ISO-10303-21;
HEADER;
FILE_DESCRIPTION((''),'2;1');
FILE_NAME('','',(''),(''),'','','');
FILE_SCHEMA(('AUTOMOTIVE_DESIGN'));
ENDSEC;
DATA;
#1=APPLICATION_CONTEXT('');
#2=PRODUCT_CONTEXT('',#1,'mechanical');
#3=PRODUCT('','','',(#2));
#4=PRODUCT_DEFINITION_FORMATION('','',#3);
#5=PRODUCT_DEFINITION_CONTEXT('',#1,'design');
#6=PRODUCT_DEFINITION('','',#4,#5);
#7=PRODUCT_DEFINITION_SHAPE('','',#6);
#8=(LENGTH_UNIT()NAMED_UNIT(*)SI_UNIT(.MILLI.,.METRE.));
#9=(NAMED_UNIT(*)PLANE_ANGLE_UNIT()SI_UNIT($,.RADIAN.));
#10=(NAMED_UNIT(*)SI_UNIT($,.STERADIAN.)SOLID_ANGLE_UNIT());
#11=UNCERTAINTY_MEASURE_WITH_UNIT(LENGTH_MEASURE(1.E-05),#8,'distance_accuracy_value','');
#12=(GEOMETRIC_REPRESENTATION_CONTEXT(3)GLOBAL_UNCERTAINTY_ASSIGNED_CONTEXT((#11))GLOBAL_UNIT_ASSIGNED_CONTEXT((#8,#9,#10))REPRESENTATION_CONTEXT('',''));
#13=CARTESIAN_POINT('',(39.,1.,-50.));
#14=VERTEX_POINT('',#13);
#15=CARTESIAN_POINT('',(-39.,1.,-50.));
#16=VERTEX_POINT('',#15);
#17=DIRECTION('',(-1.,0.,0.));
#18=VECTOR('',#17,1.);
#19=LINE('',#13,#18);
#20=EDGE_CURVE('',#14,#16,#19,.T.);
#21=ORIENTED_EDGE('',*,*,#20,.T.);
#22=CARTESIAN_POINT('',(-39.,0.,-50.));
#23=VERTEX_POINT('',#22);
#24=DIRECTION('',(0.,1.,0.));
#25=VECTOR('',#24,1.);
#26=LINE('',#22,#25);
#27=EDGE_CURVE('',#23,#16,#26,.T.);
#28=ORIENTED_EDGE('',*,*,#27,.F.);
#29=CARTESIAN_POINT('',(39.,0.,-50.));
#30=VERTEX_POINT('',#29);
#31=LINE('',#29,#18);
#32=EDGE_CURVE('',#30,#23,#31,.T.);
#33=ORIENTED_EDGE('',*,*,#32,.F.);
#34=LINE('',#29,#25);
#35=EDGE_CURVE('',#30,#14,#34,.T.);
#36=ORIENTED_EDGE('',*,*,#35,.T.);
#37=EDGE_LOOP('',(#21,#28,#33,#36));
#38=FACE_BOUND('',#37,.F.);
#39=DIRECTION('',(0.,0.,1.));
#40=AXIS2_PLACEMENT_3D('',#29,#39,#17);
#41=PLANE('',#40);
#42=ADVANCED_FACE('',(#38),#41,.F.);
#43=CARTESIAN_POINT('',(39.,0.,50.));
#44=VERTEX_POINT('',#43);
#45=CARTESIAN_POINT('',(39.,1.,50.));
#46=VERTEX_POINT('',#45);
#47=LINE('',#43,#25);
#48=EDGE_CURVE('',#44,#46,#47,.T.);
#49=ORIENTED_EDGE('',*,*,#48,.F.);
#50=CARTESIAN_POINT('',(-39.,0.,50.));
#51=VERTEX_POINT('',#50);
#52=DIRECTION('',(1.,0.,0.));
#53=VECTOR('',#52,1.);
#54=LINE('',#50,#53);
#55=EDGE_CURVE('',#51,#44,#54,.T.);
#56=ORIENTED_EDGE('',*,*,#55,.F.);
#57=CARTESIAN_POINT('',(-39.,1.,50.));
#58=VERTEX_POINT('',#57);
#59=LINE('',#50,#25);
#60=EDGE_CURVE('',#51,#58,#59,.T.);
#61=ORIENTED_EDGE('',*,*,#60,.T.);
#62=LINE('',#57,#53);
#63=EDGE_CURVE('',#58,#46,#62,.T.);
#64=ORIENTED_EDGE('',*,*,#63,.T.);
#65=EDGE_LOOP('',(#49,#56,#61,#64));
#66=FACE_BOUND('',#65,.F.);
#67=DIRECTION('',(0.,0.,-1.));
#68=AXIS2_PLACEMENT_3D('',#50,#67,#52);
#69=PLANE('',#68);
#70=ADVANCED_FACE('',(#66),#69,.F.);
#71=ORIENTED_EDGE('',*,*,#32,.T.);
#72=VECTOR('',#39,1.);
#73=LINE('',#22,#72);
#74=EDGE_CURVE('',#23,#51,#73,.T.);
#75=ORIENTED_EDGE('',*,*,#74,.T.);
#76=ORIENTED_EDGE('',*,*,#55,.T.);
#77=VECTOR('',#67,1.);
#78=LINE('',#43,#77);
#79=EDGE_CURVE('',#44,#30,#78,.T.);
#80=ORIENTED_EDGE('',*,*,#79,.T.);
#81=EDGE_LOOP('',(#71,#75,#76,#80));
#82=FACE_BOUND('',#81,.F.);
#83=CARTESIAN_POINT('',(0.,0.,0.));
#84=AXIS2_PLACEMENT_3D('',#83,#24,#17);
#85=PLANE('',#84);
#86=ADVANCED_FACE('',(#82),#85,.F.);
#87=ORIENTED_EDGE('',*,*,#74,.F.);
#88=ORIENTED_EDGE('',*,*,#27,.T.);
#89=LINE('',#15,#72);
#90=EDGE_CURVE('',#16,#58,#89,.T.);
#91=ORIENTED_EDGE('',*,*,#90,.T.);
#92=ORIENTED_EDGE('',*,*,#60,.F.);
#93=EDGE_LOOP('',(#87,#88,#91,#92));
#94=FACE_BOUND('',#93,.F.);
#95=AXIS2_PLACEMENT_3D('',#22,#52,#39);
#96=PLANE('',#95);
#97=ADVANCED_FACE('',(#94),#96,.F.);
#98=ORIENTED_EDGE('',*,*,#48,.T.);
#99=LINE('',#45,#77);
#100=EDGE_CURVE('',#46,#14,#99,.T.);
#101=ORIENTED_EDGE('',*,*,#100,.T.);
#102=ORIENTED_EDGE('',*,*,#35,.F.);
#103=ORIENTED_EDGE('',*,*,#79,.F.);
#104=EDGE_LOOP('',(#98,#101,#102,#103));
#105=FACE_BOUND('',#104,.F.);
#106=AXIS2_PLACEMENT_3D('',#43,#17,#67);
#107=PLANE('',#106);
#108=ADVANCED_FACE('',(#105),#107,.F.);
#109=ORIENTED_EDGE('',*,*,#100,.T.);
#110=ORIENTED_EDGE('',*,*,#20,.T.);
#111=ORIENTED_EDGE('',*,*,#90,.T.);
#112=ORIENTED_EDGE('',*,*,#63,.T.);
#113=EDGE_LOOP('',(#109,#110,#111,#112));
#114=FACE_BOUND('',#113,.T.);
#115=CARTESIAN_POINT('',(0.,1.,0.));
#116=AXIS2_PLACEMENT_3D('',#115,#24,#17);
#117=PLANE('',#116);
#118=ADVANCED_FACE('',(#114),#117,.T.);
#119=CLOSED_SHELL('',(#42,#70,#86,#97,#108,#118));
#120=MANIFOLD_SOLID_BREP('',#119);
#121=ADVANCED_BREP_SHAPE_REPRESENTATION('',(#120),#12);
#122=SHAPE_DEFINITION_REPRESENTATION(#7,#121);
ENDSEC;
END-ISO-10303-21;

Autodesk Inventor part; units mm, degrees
ref_plane "YZ Plane" through (0, 0, 0) normal (1, 0, 0) x (0, 1, 0)
ref_plane "XZ Plane" through (0, 0, 0) normal (0, 1, 0) x (-1, 0, 0)
ref_plane "XY Plane" through (0, 0, 0) normal (0, 0, 1) x (1, 0, 0)
sketch "Boceto1" plane through (0, 0, 0) normal (0, 1, 0) x (-1, 0, 0)
  line L0 (39, 50) -> (-39, 50)
  line L1 (-39, 50) -> (-39, -50)
  line L2 (-39, -50) -> (39, -50)
  line L3 (39, -50) -> (39, 50)
  point P0 (0, 0)
  dimension "w" = 100
  dimension "d3" = 50
  dimension "k" = 78
  dimension "d7" = 39
extrude "Extrusión1" add sketch "Boceto1" along normal blind 1
equation "\"d3\" = 0.5 * w"
equation "\"d7\" = 0.5 * k"
properties part number "Baquelita"
